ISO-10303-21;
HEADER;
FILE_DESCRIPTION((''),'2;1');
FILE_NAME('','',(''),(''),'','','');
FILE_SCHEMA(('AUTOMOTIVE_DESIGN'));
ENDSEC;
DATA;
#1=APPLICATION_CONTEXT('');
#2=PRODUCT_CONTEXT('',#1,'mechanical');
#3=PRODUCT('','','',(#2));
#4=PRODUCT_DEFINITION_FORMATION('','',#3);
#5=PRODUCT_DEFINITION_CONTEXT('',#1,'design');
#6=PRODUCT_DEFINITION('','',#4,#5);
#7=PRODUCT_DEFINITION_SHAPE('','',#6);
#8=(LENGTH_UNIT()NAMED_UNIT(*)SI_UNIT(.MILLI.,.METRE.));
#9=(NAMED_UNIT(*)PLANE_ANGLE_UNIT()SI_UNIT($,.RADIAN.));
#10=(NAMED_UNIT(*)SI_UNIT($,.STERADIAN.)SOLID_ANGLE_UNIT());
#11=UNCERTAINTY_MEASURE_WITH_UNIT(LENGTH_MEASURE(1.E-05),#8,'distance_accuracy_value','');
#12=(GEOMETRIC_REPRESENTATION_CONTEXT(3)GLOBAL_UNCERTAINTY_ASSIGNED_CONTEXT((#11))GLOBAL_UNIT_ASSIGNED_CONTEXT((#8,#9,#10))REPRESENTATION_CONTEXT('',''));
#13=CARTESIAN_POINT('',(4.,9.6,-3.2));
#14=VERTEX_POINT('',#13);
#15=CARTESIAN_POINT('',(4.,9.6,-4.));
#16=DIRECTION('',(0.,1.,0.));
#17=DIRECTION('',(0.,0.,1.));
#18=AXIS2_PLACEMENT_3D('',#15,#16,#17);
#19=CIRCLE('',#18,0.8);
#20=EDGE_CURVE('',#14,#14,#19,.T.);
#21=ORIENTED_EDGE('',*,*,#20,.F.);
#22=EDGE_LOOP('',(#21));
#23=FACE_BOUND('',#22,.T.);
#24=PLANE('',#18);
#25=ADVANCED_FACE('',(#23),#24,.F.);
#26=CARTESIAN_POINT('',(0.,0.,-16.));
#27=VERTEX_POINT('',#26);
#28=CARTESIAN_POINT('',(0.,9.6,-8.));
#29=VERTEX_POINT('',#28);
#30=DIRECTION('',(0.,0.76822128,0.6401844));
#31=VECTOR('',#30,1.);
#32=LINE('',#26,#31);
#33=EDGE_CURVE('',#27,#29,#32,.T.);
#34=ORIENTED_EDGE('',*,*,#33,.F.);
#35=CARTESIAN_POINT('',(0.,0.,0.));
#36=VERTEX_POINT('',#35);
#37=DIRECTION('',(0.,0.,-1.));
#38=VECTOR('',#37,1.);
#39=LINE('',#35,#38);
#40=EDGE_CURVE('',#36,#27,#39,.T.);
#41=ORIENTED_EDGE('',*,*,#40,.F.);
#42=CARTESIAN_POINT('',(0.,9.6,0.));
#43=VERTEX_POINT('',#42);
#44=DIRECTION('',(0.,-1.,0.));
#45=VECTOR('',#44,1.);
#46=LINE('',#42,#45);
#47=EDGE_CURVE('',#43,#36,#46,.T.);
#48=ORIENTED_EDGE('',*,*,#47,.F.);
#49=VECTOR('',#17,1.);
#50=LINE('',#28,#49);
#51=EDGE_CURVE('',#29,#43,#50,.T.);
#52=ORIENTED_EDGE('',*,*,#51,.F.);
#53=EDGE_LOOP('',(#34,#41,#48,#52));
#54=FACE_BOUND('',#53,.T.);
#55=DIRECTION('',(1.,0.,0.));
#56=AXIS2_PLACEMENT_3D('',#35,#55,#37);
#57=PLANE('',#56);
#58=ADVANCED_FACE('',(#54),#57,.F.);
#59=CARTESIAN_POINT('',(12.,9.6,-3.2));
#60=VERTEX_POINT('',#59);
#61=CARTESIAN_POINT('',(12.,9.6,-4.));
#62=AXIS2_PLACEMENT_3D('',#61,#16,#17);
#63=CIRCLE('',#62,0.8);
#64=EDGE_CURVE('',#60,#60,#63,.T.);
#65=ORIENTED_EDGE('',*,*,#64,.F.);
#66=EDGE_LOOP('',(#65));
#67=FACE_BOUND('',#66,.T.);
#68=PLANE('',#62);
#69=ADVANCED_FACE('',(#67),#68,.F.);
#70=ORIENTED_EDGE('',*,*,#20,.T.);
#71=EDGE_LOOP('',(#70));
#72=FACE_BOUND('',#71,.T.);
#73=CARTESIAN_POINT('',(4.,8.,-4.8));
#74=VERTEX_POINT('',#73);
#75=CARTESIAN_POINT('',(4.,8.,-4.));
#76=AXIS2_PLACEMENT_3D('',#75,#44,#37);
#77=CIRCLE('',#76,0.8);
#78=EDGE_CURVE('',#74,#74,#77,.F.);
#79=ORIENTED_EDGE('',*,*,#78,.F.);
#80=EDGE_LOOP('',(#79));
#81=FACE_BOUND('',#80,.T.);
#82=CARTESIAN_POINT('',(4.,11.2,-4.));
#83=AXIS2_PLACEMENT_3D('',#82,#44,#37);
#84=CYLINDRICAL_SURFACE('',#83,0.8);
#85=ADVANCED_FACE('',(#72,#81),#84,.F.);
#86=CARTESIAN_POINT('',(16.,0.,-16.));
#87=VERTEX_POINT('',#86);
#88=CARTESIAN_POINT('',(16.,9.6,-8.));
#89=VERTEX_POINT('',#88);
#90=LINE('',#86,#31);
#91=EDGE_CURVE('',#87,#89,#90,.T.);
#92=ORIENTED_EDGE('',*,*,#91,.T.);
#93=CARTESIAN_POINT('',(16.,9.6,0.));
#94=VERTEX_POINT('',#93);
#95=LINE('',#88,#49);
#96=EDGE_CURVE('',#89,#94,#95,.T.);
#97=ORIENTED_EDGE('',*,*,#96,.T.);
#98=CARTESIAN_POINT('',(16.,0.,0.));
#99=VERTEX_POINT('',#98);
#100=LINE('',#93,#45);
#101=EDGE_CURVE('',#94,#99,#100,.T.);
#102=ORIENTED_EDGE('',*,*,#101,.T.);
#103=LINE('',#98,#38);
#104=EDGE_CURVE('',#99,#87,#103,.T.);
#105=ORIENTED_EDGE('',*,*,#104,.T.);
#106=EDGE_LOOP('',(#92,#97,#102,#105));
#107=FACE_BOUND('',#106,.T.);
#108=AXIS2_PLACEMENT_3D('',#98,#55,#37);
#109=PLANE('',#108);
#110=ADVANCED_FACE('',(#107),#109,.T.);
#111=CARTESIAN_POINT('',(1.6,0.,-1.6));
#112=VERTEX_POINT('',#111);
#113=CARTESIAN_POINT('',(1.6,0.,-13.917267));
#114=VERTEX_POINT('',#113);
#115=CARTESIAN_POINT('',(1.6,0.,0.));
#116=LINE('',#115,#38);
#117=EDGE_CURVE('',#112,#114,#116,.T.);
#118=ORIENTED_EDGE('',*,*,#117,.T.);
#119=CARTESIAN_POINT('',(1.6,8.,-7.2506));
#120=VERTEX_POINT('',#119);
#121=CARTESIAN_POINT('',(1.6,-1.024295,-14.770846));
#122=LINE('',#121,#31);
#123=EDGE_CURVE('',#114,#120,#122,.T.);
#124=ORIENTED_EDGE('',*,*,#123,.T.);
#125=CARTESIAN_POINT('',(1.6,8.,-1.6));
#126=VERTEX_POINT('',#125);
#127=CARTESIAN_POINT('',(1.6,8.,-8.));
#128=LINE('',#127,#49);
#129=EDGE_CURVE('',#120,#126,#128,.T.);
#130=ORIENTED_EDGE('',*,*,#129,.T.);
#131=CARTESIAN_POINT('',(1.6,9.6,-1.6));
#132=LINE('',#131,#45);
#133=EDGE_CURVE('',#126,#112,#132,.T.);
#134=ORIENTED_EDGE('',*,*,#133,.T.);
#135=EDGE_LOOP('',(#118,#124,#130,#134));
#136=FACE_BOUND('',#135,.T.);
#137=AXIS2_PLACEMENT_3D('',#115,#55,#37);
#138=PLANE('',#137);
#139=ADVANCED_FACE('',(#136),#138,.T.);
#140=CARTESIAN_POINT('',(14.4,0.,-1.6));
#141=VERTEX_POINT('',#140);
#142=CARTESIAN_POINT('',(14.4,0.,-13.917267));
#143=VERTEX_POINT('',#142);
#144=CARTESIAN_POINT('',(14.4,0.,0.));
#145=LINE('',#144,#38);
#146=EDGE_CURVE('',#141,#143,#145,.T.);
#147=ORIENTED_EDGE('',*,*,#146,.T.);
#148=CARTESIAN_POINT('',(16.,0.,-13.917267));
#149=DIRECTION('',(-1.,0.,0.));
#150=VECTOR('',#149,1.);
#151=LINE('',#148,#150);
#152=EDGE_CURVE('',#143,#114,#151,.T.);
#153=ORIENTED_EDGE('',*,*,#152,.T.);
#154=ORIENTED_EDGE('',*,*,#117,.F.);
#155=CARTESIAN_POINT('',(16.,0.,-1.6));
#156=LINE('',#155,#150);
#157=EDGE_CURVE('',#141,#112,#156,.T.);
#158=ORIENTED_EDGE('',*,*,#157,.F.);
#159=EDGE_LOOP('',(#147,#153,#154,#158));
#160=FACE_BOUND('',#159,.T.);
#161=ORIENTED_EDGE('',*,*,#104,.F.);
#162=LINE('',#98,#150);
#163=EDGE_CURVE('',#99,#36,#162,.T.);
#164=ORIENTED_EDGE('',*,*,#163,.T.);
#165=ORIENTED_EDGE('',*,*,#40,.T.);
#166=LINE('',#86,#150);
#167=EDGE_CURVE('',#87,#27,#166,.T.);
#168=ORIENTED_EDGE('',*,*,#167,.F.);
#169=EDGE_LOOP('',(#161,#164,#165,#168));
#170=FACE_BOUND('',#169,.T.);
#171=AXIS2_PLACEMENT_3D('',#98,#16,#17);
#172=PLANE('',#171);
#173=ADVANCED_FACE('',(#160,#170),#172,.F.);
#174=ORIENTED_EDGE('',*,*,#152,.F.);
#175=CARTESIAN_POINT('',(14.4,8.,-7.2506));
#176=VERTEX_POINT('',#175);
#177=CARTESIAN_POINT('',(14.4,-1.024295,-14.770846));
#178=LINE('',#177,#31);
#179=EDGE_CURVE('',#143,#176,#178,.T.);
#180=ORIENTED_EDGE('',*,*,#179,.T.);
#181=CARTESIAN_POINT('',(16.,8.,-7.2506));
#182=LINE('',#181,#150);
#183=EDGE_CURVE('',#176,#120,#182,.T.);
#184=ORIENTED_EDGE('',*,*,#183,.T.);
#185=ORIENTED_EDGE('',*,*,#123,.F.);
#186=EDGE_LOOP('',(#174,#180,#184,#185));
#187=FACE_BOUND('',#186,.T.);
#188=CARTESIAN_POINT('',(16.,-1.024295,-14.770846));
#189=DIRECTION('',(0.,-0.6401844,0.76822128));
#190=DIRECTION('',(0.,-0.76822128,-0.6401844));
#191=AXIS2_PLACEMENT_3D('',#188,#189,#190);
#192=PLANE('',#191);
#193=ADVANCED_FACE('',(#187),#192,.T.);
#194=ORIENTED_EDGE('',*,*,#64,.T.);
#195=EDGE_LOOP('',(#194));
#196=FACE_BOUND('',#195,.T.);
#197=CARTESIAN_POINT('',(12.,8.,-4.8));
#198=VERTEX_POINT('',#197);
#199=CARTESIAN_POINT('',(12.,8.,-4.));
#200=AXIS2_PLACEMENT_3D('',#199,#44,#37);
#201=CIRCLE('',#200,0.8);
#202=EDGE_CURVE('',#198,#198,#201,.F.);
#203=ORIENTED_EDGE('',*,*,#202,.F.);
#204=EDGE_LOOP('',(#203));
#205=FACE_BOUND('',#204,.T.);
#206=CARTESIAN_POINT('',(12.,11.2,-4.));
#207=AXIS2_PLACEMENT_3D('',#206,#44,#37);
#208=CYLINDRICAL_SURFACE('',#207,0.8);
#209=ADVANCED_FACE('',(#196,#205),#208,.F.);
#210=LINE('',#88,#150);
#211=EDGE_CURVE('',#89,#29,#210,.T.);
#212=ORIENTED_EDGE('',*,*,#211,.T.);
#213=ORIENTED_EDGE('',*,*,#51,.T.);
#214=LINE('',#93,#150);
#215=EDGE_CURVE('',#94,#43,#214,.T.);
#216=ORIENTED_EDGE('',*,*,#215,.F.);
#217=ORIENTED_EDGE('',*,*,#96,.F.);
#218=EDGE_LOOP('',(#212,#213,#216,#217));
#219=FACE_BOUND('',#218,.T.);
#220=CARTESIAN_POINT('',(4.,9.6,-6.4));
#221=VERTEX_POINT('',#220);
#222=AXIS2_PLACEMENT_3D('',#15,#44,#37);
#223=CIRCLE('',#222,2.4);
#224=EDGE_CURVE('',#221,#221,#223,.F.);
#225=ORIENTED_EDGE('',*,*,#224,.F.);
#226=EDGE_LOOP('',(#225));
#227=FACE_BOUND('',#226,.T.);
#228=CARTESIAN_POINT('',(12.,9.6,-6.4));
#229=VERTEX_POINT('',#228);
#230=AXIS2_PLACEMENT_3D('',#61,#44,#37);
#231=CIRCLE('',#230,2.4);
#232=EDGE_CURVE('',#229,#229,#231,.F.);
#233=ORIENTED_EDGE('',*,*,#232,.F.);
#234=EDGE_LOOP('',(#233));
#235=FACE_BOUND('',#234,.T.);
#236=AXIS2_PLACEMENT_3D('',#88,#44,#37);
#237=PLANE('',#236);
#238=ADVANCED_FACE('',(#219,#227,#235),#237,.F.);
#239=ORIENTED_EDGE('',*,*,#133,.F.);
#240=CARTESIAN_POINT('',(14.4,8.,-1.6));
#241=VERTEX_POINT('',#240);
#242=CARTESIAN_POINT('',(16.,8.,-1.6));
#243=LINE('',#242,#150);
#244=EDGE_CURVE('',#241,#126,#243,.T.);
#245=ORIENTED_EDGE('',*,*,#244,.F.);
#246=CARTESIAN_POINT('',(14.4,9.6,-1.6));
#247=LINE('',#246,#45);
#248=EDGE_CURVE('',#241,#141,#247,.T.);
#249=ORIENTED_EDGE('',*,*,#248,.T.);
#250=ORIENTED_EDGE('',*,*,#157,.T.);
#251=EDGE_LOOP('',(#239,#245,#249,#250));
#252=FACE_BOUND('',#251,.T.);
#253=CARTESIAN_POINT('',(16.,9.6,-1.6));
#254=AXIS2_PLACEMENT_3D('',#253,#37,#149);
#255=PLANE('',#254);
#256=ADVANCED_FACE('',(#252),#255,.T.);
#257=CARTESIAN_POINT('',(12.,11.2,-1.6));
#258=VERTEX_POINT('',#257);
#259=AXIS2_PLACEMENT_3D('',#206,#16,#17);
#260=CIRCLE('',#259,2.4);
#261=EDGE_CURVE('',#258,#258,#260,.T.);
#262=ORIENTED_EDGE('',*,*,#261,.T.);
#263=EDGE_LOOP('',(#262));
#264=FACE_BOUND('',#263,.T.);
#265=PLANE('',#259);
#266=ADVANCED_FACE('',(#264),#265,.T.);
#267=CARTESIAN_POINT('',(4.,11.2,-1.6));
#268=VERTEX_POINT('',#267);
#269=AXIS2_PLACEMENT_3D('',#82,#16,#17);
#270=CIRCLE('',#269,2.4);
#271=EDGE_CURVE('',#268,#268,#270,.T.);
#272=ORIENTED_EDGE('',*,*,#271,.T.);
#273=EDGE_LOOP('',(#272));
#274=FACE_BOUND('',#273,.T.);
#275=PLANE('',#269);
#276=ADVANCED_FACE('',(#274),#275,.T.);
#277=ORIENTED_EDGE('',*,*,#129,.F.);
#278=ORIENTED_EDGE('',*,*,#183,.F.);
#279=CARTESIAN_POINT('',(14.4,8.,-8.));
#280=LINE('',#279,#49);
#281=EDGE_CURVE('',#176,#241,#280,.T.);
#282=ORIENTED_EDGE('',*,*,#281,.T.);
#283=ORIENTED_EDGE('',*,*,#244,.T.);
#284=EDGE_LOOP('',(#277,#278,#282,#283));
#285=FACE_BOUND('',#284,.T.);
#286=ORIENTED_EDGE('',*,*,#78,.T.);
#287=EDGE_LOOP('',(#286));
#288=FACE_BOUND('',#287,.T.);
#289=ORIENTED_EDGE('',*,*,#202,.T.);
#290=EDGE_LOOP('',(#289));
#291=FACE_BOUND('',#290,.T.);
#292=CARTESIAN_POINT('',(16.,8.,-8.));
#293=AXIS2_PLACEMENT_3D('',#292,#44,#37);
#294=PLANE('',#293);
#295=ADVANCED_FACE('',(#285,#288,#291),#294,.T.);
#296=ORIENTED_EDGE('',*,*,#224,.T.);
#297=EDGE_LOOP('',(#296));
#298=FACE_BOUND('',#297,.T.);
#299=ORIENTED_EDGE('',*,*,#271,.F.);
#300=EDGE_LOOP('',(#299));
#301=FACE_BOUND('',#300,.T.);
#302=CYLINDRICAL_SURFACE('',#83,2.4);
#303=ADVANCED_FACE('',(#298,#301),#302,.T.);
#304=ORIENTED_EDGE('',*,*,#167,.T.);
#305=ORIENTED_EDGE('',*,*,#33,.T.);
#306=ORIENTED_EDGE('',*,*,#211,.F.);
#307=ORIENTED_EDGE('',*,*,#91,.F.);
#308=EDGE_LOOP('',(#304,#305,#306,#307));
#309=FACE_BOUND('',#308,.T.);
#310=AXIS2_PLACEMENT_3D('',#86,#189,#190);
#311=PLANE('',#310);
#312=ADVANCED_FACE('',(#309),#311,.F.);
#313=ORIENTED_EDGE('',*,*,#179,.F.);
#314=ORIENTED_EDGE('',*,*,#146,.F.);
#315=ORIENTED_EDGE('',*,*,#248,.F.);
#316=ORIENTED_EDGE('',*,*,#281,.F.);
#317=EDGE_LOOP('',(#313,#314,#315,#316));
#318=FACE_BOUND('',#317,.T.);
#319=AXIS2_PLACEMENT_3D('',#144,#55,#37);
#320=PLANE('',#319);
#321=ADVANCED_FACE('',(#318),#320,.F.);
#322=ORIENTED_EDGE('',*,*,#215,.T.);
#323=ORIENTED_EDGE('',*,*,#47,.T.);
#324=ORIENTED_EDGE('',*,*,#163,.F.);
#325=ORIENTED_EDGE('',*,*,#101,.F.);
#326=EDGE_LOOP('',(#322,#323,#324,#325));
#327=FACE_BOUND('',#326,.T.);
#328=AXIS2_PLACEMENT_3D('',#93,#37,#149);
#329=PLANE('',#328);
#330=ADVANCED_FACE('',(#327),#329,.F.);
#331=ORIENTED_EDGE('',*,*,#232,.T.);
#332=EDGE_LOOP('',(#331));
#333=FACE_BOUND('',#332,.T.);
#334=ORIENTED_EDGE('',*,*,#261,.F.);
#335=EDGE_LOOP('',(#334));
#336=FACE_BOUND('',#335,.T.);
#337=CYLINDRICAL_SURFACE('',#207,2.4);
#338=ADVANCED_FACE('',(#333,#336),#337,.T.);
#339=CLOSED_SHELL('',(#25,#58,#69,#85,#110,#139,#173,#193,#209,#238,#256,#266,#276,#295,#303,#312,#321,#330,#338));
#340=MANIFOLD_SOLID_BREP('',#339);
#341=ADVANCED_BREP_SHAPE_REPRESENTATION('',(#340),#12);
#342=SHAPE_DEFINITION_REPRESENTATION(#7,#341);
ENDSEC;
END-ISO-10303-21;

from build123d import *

# Parameters (mm, degrees)
BOSS_EXTRUDE1_DEPTH = 16
SKETCH2_R           = 2.4
BOSS_EXTRUDE2_DEPTH = 1.6
LPATTERN1_COUNT     = 2
LPATTERN1_PITCH     = 8
SHELL1_T            = -1.6


with BuildPart() as part:
    # Sketch1 → Boss-Extrude1 (new body)
    with BuildSketch(Plane(origin=(0, 0, 0), x_dir=(0, 0, -1), z_dir=(1, 0, 0))):
        Polygon((0, 0), (16, 0), (8, 9.6), (0, 9.6), align=None)
    extrude(amount=BOSS_EXTRUDE1_DEPTH)

    # Sketch2 → Boss-Extrude2 (add)
    with BuildSketch(Plane(origin=(0, 9.6, 0), x_dir=(1, 0, 0), z_dir=(0, 1, 0))):
        with Locations(Location((4, 4, 0), (0, 0, 90))):
            Circle(SKETCH2_R)
    boss_extrude2 = extrude(amount=BOSS_EXTRUDE2_DEPTH)

    # LPattern1: Boss-Extrude2 ×2
    with Locations(*[(i * LPATTERN1_PITCH, 0, 0) for i in range(1, LPATTERN1_COUNT)]):
        add(boss_extrude2)

    # Shell1
    shell1_openings = [part.faces().sort_by_distance(p)[0] for p in [
        (8, 0, -8),
    ]]
    offset(amount=SHELL1_T, openings=shell1_openings, kind=Kind.INTERSECTION)


solid = part.part
